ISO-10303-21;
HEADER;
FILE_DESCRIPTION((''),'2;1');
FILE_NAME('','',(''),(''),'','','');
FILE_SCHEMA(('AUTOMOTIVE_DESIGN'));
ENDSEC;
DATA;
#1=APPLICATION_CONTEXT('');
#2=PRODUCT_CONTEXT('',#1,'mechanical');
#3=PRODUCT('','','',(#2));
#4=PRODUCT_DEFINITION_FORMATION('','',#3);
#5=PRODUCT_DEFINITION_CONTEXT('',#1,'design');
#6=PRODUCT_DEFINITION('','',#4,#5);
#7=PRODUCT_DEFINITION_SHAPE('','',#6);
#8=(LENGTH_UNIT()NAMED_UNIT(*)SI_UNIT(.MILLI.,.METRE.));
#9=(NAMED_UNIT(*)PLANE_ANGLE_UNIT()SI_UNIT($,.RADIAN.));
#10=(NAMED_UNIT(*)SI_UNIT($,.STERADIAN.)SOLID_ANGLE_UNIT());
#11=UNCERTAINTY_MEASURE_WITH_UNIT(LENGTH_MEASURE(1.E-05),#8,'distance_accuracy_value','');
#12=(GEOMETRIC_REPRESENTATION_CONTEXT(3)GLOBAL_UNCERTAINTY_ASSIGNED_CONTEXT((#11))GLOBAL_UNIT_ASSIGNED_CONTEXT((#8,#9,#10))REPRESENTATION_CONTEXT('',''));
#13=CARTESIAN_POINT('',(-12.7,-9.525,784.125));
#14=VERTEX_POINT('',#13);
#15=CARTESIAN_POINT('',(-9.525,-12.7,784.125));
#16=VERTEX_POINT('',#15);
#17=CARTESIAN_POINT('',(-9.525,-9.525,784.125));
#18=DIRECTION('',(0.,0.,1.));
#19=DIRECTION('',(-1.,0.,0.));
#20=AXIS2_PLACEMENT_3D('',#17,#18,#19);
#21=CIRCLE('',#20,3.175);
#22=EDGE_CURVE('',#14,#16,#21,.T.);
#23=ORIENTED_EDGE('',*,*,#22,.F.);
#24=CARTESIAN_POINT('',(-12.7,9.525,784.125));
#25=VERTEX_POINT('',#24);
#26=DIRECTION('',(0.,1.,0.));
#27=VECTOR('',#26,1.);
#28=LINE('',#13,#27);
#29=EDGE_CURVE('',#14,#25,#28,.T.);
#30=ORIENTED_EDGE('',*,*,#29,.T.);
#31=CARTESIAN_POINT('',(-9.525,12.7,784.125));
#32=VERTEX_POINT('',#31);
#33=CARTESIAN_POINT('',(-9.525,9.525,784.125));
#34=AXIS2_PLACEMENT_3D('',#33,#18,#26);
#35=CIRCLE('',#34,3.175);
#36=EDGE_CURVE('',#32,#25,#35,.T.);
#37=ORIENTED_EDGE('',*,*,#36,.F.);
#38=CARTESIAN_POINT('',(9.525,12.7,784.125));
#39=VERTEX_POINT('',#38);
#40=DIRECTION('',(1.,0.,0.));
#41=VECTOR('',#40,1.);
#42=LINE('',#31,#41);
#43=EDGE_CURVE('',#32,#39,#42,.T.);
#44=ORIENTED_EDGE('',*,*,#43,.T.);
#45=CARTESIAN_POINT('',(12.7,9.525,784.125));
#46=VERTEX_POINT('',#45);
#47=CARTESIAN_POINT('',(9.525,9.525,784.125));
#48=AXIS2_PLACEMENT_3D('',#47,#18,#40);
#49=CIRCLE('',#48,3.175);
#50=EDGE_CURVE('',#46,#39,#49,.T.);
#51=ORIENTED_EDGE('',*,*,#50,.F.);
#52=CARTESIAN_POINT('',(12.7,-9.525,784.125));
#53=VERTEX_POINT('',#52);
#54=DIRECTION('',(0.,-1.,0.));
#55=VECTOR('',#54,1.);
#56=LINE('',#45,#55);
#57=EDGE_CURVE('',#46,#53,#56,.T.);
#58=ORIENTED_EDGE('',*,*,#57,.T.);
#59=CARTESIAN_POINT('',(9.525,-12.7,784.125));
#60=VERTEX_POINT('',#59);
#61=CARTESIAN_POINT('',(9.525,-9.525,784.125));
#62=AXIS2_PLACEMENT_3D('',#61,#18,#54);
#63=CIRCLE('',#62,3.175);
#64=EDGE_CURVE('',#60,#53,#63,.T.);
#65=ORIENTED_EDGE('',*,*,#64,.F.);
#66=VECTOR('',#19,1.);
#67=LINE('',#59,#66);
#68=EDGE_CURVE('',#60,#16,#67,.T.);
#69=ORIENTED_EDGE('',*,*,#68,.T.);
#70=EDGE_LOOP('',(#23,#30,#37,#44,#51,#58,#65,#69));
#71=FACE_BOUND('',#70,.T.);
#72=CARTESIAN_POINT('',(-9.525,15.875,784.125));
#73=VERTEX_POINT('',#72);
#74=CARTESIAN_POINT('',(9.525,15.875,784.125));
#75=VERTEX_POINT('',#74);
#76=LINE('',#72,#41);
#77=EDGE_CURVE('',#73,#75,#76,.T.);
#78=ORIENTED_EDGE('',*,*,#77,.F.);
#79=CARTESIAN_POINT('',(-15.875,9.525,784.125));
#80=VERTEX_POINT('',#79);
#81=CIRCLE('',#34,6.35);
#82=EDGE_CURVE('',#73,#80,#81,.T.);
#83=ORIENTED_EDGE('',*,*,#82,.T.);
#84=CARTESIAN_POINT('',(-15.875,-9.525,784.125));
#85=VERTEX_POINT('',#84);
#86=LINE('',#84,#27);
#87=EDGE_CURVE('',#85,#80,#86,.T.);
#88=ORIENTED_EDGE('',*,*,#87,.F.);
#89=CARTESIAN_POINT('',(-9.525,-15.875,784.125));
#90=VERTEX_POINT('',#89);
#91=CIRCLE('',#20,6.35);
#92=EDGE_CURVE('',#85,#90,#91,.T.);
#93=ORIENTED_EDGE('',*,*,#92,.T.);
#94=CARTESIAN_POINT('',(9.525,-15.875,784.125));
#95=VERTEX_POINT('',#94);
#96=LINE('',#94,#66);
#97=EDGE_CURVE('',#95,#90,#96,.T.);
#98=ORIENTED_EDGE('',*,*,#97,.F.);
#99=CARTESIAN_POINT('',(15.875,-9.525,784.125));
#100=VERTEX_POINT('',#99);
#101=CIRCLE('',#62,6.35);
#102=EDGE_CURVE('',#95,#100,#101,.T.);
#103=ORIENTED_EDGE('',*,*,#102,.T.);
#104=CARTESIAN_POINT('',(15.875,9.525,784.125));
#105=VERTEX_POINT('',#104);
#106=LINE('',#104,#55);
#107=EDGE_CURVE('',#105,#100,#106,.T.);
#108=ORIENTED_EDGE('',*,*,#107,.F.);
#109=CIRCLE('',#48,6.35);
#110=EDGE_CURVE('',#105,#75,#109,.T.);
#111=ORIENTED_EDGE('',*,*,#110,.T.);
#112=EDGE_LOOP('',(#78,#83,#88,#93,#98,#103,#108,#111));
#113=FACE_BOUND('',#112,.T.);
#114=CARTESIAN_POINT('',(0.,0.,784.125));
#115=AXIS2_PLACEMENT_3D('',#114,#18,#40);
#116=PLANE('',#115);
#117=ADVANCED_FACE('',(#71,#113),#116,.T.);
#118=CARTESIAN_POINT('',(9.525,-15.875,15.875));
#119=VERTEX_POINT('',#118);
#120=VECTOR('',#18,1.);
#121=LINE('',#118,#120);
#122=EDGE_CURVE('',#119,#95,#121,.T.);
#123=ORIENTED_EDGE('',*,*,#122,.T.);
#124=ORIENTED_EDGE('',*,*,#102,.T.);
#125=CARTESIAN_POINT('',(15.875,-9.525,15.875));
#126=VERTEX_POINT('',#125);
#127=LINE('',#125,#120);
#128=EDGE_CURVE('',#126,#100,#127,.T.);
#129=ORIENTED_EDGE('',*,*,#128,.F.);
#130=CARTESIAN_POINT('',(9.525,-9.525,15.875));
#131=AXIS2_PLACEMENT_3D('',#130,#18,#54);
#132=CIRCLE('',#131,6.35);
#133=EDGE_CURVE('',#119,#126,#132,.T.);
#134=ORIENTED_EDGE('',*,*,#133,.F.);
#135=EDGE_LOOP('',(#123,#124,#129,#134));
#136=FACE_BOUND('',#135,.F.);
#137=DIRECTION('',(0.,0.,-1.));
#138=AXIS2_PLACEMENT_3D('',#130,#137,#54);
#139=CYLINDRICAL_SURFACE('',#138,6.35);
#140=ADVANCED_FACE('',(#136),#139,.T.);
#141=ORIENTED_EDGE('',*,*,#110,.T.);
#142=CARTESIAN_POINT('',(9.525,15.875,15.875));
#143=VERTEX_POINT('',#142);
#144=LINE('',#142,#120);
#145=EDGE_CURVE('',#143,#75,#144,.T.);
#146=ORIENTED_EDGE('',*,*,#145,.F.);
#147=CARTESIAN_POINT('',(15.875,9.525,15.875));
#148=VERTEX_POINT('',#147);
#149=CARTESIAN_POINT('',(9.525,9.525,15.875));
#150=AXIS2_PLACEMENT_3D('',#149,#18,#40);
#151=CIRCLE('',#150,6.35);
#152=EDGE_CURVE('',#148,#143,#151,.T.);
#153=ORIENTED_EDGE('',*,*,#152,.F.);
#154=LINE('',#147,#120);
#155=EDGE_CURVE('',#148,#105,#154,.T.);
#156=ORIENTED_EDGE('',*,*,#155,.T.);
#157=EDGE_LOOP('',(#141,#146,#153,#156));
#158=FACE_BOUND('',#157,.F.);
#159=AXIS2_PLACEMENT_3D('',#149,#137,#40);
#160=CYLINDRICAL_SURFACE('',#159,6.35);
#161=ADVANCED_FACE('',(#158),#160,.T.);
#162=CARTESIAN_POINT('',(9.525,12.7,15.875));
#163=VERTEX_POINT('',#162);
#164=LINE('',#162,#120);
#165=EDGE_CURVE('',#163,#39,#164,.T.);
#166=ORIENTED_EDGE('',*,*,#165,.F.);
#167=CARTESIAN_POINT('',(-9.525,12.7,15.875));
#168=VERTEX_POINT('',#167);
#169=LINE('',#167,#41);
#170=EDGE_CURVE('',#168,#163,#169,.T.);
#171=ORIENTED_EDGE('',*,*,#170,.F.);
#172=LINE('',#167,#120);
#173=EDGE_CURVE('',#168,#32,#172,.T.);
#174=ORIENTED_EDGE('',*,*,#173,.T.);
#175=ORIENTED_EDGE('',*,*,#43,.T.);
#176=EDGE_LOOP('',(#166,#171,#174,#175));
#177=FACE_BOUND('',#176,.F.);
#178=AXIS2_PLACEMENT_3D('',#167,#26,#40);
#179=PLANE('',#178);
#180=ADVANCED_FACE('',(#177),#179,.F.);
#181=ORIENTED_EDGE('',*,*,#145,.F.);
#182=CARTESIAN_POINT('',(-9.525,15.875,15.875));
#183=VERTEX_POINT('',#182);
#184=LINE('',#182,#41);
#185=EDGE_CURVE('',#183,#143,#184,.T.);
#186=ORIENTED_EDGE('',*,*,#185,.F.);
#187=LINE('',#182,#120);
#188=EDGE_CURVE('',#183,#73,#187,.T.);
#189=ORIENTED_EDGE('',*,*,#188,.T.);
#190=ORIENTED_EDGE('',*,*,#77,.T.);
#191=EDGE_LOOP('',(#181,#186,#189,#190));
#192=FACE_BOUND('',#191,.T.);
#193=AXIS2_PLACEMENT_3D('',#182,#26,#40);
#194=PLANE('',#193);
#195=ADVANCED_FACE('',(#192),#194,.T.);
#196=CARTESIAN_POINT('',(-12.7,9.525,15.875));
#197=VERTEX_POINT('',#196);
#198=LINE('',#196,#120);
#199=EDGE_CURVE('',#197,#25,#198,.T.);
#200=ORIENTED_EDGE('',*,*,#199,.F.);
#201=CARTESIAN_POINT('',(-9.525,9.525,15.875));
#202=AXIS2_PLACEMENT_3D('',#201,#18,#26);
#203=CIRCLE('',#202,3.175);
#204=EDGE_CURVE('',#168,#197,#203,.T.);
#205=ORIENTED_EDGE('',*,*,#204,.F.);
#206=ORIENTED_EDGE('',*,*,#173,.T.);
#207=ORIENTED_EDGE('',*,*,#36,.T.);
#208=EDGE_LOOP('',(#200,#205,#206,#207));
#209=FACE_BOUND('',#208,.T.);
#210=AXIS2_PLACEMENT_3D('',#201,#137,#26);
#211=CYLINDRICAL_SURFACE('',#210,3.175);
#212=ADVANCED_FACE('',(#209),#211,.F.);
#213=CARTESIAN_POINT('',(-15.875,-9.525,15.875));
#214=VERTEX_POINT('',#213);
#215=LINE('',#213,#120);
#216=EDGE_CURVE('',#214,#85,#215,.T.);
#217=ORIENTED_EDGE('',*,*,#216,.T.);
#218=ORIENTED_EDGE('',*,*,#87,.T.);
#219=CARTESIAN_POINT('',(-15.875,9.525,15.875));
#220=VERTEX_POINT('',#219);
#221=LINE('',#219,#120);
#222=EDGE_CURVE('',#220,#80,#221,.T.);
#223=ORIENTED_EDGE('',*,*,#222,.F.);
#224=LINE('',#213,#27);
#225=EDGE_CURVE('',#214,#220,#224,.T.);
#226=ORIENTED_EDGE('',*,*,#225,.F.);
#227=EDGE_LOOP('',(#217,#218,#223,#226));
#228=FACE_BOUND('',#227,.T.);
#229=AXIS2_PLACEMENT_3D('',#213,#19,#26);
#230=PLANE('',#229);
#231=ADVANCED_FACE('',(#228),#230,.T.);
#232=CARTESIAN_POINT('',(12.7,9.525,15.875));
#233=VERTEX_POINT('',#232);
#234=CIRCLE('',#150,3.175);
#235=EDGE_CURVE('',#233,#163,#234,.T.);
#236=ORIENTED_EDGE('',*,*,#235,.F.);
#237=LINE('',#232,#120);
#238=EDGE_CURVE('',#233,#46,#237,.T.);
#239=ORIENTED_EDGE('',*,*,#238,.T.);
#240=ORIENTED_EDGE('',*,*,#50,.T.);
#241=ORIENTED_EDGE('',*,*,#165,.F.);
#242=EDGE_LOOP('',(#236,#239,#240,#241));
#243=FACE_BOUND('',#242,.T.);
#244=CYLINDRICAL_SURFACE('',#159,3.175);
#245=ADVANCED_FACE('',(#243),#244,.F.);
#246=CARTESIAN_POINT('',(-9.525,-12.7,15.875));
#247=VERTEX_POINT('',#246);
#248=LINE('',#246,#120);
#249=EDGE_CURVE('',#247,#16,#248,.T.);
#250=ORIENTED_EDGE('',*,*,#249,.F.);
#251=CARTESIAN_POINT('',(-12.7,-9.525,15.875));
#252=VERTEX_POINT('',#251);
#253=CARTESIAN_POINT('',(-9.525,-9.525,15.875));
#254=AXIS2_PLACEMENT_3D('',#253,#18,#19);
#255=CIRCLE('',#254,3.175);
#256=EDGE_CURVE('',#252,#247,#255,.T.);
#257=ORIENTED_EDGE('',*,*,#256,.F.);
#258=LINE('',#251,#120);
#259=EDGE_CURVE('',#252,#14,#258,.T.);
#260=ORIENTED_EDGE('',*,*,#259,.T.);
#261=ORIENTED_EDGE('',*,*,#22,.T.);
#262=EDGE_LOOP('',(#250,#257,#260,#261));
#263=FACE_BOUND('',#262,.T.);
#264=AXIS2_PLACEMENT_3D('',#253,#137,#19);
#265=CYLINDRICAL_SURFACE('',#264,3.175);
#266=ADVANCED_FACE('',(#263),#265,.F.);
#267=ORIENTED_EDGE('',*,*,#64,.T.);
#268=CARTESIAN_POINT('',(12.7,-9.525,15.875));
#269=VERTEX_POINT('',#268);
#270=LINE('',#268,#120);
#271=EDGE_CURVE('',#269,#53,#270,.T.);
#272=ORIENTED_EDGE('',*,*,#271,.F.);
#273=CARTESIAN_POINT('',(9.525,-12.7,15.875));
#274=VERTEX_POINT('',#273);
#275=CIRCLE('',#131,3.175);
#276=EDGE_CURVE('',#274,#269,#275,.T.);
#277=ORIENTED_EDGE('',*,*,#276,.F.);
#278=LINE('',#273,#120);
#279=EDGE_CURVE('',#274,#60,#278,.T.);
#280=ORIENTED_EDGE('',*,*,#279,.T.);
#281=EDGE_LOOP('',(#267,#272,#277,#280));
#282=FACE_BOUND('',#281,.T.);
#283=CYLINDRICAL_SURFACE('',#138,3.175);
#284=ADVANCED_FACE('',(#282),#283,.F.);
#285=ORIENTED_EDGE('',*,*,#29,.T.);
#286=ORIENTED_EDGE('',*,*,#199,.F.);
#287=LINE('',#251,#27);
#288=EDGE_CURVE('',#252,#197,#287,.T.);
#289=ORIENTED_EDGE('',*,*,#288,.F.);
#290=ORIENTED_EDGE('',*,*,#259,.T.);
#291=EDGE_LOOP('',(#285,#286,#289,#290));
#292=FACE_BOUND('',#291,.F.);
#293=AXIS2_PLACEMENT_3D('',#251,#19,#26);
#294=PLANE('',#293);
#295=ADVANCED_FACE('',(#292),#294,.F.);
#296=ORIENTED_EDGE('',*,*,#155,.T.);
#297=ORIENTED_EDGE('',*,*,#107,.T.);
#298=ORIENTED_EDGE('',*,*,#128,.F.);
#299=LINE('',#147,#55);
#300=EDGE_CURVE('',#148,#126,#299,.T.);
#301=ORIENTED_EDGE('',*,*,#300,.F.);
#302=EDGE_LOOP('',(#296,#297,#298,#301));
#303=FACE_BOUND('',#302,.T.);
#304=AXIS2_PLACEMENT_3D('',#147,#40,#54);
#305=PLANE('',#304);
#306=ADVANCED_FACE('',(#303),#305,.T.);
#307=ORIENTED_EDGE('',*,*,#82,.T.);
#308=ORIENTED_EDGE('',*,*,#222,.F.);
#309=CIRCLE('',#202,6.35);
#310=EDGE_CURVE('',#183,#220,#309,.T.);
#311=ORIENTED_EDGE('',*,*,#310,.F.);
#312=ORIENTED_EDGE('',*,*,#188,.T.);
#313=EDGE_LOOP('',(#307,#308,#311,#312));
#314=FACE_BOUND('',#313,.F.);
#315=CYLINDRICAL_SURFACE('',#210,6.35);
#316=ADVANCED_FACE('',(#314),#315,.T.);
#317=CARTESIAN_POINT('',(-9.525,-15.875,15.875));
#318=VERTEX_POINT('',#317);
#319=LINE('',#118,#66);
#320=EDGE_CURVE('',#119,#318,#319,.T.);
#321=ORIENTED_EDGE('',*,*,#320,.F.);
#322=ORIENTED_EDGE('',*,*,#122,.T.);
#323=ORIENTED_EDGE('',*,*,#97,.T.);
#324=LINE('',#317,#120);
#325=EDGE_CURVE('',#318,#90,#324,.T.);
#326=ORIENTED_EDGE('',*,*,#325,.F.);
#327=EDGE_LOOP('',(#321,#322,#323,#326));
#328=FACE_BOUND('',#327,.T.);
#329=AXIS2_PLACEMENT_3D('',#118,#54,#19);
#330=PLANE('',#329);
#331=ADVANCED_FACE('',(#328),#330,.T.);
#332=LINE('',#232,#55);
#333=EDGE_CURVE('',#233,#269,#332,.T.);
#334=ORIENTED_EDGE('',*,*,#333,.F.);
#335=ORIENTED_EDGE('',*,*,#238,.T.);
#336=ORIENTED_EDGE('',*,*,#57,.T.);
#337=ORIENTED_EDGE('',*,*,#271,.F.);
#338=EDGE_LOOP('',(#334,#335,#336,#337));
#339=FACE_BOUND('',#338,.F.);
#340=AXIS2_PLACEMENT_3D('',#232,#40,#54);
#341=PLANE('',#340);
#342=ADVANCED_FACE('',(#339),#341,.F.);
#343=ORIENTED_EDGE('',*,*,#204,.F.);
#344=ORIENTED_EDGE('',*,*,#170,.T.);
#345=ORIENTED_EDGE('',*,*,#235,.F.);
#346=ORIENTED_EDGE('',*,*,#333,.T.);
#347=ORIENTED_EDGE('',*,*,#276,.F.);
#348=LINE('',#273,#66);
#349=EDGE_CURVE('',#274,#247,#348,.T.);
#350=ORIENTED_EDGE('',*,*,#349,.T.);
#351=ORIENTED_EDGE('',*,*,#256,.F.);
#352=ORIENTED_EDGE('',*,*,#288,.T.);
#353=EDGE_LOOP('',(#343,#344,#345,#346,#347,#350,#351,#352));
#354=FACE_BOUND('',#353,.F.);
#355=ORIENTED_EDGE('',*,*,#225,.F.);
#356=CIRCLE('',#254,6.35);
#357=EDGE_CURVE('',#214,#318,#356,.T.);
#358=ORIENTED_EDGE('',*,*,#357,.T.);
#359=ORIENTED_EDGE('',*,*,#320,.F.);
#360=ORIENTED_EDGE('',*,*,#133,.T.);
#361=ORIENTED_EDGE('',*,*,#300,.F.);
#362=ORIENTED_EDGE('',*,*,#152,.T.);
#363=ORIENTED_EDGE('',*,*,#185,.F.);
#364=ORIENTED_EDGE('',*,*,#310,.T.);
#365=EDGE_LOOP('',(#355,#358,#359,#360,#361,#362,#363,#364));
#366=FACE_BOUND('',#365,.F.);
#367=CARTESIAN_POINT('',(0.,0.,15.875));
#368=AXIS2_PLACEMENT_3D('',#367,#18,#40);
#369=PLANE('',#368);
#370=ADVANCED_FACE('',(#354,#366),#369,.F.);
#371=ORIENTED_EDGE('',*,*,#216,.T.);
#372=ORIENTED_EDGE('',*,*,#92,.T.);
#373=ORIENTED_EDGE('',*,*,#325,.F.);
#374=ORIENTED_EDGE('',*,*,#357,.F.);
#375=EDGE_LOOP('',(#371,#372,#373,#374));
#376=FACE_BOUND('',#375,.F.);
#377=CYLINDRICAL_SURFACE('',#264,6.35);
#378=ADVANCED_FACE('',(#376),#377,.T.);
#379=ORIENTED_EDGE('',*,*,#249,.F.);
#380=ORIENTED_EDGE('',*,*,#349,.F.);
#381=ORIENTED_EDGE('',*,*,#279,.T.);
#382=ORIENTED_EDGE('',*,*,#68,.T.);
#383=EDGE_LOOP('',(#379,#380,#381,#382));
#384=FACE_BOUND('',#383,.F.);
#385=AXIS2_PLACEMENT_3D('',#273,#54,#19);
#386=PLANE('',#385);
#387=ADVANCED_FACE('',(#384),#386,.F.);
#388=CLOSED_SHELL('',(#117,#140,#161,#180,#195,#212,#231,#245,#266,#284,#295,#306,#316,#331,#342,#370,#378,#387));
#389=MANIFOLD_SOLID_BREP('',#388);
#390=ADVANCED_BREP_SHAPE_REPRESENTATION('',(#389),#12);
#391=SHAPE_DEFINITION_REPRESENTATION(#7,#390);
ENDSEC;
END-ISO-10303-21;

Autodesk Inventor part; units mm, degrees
ref_plane "Start Plane" through (0, 0, 15.875) normal (0, 0, 1) x (1, 0, 0)
ref_plane "End Plane" through (0, 0, 784.125) normal (0, 0, 1) x (1, 0, 0)
sketch "Sketch" plane through (0, 0, 0) normal (0, 0, 1) x (1, 0, 0)
  line L0 (-15.875, -9.525) -> (-15.875, 9.525)
  line L1 (-9.525, 15.875) -> (9.525, 15.875)
  line L2 (15.875, 9.525) -> (15.875, -9.525)
  line L3 (9.525, -15.875) -> (-9.525, -15.875)
  arc A0 (-15.875, -9.525) -> (-9.525, -15.875) centre (-9.525, -9.525) ccw
  arc A1 (-9.525, 15.875) -> (-15.875, 9.525) centre (-9.525, 9.525) ccw
  arc A2 (15.875, 9.525) -> (9.525, 15.875) centre (9.525, 9.525) ccw
  arc A3 (9.525, -15.875) -> (15.875, -9.525) centre (9.525, -9.525) ccw
  arc A4 (-9.525, 12.7) -> (-12.7, 9.525) centre (-9.525, 9.525) ccw
  line L4 (-9.525, 12.7) -> (9.525, 12.7)
  arc A5 (12.7, 9.525) -> (9.525, 12.7) centre (9.525, 9.525) ccw
  line L5 (12.7, 9.525) -> (12.7, -9.525)
  arc A6 (9.525, -12.7) -> (12.7, -9.525) centre (9.525, -9.525) ccw
  line L6 (9.525, -12.7) -> (-9.525, -12.7)
  arc A7 (-12.7, -9.525) -> (-9.525, -12.7) centre (-9.525, -9.525) ccw
  line L7 (-12.7, -9.525) -> (-12.7, 9.525)
  line L8 (0, 24.0662) -> (0, -24.0662) construction
  line L9 (-24.0662, 0) -> (24.0662, 0) construction
  dimension "d10" = 31.75
  dimension "d11" = 31.75
  dimension "d12" = 3.175
  dimension "d15" = 15.875
  dimension "d16" = 15.875
  dimension "d17" = 6.35
extrude "Body" add sketch "Sketch" along normal up to surface (768.25 mm away) from surface at 15.875
sketch "Sketch3" plane through (0, 0, 0) normal (0, 0, 1) x (1, 0, 0)
  line L0 (0, 0) -> (10, 0)
ref_plane "Work Plane3" through (0, 0, 0) normal (0, -1, 0) x (1, 0, 0)
sketch "Sketch4" plane through (0, 0, 0) normal (0, -1, 0) x (1, 0, 0)
  line L0 (-2, 15.875) -> (12, 15.875)
  line L1 (-2, 784.125) -> (12, 784.125)
  dimension "d19" = 768.25
ref_plane "Work Plane4" through (-212.5, -9.525, 15.875) normal (0, 0, -1) x (-1, 0, 0)
split "Split1" plane through (-212.5, -9.525, 15.875) removes the side toward (0, 0, -1)
ref_plane "Work Plane5" through (212.5, -9.525, 784.125) normal (0, 0, 1) x (1, 0, 0)
split "Split2" plane through (212.5, -9.525, 784.125) removes the side toward (0, 0, 1)
equation "\"d10\" = G_H"
equation "\"d11\" = G_W"
equation "\"d12\" = G_T"
equation "\"d15\" = 0.5 * d10"
equation "\"d16\" = 0.5 * d11"
equation "\"d17\" = G_IR"
equation "\"d3\" = G_L"
equation "\"G_W\" = 31.75"
equation "\"G_H\" = 31.75"
equation "\"G_T\" = 3.175"
equation "\"G_IR\" = 6.35"
equation "\"G_L\" = d19"
equation "\"G_OFFSET_START\" = -15.875"
equation "\"G_OFFSET_END\" = -15.875"
equation "\"d13\" = -G_OFFSET_START"
equation "\"d14\" = G_OFFSET_END + B_L"
equation "\"B_L\" = 800"
properties part number "AISC HSS - (1 1/4x1 1/4x1/8) - 30.246" material "Steel, Mild"
